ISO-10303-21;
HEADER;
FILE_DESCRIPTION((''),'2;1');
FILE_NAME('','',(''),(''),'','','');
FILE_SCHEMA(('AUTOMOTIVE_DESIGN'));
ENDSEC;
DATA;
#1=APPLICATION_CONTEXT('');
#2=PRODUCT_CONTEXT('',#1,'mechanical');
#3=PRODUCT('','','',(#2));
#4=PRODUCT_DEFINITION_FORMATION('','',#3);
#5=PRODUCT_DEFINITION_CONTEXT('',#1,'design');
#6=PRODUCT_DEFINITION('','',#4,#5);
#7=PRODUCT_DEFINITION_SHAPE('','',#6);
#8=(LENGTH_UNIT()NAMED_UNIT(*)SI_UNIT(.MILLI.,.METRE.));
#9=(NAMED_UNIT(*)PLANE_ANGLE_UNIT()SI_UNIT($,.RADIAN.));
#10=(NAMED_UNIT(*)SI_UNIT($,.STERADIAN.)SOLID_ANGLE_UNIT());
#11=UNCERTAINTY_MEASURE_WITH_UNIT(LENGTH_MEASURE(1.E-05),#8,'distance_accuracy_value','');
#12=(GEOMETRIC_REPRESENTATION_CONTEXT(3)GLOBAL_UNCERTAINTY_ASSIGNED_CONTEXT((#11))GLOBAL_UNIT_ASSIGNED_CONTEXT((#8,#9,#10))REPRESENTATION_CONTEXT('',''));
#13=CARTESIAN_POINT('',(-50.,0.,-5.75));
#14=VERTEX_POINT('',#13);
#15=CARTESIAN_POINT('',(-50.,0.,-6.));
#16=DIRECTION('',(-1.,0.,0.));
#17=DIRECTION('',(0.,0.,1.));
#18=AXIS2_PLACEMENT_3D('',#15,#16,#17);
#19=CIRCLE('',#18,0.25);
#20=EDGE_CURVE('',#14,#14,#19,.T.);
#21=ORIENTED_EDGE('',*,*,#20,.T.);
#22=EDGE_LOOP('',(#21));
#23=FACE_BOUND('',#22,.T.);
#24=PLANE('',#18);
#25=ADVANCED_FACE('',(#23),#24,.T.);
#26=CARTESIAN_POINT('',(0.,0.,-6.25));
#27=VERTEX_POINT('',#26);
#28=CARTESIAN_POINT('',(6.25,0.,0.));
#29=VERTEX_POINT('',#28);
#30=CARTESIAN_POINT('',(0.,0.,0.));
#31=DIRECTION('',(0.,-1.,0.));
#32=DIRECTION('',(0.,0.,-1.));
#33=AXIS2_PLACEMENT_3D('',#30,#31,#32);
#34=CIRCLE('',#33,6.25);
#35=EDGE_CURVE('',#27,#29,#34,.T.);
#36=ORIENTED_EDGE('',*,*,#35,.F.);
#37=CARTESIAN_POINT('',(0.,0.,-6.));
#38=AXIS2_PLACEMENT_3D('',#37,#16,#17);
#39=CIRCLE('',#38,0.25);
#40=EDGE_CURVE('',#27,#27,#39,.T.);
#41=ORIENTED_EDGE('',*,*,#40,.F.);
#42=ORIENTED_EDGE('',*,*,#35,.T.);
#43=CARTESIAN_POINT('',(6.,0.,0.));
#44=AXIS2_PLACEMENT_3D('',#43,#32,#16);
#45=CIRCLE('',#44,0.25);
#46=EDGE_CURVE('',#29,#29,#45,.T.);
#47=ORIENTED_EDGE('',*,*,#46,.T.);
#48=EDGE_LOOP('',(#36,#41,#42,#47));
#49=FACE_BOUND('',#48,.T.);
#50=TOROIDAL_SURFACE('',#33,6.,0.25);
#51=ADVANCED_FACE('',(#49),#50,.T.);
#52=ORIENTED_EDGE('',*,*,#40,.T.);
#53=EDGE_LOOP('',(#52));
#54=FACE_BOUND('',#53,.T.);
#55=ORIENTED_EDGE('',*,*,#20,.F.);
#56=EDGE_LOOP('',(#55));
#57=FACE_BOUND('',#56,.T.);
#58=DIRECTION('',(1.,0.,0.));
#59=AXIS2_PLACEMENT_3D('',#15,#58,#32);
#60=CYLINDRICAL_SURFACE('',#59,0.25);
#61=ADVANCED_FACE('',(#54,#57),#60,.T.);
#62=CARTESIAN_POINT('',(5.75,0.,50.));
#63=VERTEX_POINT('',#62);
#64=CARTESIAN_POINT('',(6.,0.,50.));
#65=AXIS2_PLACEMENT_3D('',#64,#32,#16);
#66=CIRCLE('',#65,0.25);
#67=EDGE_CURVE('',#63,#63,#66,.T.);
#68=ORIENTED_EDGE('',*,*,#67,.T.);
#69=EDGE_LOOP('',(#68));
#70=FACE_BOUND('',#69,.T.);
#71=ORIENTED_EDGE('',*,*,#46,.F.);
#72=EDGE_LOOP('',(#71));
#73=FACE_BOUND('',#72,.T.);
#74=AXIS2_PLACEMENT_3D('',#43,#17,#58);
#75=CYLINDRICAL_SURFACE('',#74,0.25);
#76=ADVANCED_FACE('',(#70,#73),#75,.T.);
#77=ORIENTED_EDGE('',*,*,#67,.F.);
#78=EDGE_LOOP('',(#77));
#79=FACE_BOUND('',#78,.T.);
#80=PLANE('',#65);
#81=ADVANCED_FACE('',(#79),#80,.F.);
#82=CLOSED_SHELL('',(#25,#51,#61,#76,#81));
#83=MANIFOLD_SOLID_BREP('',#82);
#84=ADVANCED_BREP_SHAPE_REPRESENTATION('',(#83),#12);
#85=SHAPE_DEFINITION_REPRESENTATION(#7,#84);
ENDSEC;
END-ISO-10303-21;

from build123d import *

# Parameters (mm, degrees)
SWEEP1_PROFILE_R = 0.25


with BuildPart() as part:
    # Sweep1: sweep along a path in Sketch1
    with BuildLine(Plane(origin=(0, 0, 0), x_dir=(1, 0, 0), z_dir=(0, 1, 0))) as sweep1_path:
        Line((-50, 6), (0, 6))
        ThreePointArc((0, 6), (4.242640687, 4.242640687), (6, 0))
        Line((6, 0), (6, -50))
    # Sweep1 profile (on start of the path) → Sweep1 (sweep)
    with BuildSketch(Plane(origin=(-50, 0, -6), x_dir=(0, 0, 1), z_dir=(1, 0, 0))):
        Circle(SWEEP1_PROFILE_R)
    sweep(path=sweep1_path.line)


solid = part.part
